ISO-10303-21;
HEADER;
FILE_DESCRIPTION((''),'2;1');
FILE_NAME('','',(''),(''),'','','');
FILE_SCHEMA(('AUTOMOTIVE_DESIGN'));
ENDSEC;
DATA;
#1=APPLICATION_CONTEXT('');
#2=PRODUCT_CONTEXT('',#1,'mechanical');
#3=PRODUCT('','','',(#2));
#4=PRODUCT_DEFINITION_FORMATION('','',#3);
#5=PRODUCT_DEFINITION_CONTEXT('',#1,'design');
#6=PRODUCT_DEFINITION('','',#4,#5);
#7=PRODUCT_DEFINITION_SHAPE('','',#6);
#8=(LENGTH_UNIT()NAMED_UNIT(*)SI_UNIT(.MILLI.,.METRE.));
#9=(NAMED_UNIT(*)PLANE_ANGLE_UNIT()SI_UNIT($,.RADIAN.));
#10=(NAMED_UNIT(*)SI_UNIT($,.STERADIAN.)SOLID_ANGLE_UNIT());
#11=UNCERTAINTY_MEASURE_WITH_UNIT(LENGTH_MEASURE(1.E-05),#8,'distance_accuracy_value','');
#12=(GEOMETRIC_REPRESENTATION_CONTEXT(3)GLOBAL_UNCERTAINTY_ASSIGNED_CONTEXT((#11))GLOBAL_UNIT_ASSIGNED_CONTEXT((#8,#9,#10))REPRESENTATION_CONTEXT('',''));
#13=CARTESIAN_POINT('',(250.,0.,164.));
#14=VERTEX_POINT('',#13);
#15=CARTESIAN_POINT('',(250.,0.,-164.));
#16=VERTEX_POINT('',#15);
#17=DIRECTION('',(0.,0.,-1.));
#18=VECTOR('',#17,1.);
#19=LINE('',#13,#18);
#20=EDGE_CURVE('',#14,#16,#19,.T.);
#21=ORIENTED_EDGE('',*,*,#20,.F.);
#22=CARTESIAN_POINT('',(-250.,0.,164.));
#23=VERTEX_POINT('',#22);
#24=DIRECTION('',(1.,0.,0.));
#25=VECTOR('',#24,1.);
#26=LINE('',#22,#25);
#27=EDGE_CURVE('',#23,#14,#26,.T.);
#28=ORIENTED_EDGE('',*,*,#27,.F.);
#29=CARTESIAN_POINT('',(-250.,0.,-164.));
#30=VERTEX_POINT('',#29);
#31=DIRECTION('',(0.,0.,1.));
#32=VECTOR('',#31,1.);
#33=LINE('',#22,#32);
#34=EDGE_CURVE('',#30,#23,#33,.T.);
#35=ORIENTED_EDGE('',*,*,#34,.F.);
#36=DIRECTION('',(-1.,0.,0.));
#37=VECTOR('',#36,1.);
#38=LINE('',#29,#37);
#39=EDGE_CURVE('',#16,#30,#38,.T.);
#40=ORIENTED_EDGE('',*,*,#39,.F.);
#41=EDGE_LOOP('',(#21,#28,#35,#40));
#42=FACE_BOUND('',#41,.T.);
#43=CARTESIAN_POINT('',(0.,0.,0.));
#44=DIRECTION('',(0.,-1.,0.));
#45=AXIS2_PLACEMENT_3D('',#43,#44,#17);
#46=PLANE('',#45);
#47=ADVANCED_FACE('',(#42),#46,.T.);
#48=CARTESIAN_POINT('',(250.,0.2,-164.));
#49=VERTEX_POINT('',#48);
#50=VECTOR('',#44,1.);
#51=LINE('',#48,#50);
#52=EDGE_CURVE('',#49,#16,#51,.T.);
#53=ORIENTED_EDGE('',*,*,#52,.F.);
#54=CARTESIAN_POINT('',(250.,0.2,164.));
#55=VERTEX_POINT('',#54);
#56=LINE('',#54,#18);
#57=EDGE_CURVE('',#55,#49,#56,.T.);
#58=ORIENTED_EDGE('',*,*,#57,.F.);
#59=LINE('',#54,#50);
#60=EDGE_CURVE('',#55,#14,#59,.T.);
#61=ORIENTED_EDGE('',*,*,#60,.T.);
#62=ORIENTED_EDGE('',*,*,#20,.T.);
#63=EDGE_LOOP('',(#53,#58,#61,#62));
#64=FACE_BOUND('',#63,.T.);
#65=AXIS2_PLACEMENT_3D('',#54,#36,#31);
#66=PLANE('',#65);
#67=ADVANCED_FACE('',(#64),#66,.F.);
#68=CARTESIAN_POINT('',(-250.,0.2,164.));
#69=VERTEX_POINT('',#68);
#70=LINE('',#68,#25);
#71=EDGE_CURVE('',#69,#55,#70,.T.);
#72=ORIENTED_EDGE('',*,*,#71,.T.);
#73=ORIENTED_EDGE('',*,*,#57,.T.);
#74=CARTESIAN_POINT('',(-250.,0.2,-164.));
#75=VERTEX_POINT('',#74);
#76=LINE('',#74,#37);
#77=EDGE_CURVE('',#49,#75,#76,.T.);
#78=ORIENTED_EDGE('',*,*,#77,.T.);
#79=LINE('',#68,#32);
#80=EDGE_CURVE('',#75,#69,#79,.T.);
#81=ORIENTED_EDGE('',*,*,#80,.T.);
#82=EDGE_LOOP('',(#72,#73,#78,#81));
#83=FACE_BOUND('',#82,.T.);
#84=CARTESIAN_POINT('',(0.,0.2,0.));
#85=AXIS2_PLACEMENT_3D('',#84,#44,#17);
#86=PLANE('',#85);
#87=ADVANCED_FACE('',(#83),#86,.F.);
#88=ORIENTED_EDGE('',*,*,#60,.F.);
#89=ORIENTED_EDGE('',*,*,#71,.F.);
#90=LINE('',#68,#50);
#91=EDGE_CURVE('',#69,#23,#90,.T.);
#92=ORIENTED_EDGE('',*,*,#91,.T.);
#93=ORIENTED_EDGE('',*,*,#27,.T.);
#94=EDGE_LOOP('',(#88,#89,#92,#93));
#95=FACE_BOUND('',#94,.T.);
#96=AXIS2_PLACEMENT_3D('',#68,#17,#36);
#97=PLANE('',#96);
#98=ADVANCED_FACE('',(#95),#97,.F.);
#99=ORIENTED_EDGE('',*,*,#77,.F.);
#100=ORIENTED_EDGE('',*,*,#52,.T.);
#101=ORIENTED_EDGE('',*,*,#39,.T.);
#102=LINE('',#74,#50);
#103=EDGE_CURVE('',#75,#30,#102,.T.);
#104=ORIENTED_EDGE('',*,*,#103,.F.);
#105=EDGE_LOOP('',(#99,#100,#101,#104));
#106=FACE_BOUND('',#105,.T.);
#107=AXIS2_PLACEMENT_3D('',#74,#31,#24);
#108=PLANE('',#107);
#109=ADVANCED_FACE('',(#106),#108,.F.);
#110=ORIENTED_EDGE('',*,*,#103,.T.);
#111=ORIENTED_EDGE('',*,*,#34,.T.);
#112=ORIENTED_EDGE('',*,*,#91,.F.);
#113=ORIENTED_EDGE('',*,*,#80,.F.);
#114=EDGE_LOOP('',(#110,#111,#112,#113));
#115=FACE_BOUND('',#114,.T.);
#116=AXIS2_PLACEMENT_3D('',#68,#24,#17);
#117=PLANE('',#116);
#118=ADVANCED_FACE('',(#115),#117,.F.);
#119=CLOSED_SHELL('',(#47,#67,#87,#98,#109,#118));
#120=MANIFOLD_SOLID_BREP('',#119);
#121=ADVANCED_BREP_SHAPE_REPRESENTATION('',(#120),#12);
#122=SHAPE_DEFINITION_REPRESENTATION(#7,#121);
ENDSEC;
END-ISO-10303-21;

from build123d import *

# Parameters (mm, degrees)
ESQUISSE1_W        = 500
ESQUISSE1_H        = 328
BOSS_EXTRU_1_DEPTH = 0.2


with BuildPart() as part:
    # Esquisse1 → Boss.-Extru.1 (new body)
    with BuildSketch(Plane(origin=(0, 0, 0), x_dir=(1, 0, 0), z_dir=(0, 1, 0))):
        Rectangle(ESQUISSE1_W, ESQUISSE1_H)
    extrude(amount=BOSS_EXTRU_1_DEPTH)


solid = part.part
